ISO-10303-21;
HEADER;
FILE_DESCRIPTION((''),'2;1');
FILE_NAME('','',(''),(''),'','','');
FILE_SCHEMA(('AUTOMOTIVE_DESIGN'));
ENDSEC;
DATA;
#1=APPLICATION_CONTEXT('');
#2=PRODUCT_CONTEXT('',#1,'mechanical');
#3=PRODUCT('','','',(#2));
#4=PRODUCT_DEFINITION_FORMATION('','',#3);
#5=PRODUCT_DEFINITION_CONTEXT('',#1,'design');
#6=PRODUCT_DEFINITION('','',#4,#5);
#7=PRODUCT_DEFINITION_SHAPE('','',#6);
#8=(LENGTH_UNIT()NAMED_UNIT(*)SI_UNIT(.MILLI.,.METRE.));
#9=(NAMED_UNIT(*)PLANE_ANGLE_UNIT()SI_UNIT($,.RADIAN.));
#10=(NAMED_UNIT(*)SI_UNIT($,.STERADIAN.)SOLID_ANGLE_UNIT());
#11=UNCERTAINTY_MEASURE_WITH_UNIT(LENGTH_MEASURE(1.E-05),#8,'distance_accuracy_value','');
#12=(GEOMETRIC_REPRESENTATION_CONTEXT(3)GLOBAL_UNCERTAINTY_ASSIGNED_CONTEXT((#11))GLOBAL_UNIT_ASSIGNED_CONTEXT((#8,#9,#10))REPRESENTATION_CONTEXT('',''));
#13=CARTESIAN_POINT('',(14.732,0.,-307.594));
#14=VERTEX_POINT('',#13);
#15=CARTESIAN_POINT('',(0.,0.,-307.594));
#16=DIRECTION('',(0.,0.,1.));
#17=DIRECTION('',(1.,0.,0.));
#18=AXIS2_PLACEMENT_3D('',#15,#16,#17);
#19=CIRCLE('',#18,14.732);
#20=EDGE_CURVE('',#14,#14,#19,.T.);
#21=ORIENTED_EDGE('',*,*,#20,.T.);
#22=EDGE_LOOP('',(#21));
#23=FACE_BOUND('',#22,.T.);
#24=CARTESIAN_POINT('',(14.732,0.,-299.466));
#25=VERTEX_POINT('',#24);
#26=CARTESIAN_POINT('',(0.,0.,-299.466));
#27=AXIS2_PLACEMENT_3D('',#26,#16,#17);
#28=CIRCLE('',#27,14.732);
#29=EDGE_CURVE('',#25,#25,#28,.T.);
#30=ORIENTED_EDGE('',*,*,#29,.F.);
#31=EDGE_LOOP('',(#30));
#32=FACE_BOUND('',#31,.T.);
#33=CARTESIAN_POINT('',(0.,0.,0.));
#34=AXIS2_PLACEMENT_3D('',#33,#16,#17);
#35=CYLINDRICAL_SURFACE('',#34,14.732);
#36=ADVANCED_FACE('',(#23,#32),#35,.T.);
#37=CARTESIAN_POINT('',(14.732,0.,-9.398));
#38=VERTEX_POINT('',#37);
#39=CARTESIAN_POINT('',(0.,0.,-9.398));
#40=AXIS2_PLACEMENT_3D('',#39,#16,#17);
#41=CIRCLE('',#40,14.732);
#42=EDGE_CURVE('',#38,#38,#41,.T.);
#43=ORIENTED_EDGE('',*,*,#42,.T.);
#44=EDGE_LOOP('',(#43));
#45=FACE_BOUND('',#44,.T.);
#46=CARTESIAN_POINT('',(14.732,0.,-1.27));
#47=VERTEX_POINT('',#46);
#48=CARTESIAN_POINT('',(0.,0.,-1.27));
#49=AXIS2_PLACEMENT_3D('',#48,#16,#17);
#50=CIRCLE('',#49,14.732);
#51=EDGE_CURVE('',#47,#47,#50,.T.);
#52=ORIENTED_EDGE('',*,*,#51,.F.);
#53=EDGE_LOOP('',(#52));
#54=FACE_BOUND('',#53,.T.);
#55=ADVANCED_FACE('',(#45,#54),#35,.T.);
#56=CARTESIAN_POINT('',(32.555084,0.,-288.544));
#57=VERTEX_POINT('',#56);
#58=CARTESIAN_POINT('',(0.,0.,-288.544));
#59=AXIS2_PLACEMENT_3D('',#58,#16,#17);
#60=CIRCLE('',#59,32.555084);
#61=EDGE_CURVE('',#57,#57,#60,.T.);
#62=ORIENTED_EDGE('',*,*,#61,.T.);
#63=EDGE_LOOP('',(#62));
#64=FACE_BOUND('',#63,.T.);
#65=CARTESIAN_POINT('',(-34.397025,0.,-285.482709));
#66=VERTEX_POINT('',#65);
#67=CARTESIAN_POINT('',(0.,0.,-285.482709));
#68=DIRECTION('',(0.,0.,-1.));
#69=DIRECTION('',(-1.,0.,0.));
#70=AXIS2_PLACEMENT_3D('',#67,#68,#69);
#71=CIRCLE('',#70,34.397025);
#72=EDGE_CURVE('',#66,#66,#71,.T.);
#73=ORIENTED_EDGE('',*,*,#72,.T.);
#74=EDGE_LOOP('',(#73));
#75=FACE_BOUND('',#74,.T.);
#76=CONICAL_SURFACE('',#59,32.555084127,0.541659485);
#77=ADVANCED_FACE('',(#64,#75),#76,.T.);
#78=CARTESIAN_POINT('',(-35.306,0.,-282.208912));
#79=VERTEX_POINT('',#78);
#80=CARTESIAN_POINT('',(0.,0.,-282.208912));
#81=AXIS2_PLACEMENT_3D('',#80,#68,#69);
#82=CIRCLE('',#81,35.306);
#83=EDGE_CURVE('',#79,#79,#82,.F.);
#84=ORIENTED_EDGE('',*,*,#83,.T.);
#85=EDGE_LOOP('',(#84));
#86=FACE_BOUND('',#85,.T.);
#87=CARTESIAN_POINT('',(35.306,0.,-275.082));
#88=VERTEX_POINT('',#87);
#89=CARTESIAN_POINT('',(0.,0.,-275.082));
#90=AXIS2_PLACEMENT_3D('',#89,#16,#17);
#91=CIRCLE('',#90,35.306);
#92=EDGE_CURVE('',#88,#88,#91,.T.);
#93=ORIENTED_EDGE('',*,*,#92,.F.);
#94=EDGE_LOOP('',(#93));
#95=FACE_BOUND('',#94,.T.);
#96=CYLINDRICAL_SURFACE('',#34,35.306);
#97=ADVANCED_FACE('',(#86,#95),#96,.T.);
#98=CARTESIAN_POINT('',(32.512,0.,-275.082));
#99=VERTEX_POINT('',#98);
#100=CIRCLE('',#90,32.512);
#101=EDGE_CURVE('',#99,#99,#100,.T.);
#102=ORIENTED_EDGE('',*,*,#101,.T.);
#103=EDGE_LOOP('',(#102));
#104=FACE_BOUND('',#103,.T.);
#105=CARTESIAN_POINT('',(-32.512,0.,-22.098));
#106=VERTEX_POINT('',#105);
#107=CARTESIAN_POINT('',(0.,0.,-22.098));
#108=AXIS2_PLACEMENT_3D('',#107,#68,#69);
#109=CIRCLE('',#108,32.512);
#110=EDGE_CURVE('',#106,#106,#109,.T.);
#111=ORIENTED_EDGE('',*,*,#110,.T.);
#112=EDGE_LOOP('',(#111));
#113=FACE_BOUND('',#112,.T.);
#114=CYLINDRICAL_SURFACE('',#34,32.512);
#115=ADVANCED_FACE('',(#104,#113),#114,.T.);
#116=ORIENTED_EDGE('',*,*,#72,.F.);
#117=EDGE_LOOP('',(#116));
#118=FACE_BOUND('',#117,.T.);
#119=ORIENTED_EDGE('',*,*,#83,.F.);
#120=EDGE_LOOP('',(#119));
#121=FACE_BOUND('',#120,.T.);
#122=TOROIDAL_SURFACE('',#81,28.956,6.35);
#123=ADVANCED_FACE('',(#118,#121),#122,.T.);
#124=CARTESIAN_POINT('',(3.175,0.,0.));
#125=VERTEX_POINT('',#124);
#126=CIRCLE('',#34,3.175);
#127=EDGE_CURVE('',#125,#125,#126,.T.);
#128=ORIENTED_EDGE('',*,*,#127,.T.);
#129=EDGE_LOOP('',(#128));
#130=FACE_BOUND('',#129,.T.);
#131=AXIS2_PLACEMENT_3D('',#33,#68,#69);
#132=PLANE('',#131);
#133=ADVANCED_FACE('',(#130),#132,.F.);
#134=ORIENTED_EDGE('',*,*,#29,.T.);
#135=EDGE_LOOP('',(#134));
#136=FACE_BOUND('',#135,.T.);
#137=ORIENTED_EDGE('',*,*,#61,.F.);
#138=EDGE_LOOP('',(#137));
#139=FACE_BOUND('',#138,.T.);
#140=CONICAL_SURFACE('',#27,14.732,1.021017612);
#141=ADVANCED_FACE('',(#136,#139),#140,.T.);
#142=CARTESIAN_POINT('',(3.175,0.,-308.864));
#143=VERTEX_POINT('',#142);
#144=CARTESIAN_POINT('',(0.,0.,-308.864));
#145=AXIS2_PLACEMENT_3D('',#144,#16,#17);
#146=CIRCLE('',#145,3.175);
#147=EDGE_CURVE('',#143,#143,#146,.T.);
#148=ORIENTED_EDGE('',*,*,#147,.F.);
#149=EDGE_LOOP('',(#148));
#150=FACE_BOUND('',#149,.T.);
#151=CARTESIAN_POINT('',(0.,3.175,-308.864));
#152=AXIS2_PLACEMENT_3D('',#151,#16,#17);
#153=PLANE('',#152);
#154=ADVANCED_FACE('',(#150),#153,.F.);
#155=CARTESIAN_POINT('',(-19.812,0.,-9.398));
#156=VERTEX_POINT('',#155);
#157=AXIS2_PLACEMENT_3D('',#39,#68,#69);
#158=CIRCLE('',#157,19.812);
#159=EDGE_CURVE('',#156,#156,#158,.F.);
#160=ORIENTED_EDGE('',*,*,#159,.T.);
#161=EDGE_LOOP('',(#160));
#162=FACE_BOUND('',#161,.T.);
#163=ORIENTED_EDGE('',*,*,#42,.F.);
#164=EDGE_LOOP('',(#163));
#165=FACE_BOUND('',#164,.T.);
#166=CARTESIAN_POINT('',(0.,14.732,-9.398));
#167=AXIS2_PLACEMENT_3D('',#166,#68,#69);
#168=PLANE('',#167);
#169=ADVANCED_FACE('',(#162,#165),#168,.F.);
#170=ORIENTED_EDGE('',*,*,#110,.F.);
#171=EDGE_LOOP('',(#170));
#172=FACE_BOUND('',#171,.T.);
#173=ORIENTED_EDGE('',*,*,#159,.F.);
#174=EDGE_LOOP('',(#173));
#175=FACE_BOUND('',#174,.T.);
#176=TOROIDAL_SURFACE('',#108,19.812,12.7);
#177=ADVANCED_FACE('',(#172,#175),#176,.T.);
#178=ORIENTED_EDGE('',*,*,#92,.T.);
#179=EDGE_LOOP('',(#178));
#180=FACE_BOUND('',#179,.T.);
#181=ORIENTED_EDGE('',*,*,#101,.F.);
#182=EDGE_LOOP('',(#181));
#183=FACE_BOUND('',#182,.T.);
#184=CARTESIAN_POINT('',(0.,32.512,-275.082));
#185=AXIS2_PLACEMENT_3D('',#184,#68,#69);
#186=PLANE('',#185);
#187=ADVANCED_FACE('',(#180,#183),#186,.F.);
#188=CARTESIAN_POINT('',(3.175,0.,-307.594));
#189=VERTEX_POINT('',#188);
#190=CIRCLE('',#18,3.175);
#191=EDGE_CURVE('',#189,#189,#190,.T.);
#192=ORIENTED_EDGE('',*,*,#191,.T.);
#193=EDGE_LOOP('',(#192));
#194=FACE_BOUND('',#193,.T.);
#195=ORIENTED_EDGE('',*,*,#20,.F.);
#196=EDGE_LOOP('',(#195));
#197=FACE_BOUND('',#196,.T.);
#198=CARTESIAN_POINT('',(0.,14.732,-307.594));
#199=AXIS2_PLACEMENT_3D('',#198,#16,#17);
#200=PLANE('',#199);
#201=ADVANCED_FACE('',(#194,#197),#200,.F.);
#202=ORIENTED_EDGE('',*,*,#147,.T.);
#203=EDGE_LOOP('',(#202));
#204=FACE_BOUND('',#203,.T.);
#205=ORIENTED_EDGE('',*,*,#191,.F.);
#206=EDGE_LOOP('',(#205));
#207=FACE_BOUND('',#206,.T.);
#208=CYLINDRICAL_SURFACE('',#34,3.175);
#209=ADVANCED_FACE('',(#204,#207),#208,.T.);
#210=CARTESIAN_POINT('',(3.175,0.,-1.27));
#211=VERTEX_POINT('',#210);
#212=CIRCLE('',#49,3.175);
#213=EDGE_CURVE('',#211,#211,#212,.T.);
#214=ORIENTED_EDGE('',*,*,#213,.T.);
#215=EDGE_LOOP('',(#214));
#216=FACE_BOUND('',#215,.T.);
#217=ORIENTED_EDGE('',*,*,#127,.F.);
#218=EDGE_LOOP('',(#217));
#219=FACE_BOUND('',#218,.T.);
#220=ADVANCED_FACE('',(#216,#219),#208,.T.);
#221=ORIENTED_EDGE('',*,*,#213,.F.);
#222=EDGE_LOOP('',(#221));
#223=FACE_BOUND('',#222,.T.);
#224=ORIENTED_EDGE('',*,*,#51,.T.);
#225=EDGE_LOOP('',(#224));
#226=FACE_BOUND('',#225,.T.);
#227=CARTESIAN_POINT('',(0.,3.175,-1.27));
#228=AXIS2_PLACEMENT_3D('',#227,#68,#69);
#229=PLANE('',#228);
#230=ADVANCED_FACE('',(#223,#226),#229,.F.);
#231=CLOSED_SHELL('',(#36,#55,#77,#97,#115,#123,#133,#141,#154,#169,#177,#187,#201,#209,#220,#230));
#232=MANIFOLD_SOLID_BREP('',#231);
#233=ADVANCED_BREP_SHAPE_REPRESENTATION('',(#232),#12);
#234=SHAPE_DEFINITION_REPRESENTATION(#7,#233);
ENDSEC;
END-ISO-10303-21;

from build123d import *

# Parameters (mm, degrees)
FILLET1_R = 12.7
FILLET2_R = 6.35


with BuildPart() as part:
    # Sketch1 → Revolve1 (revolve)
    with BuildSketch(Plane(origin=(0, 0, 0), x_dir=(0, 0, -1), z_dir=(1, 0, 0))):
        Polygon((0, 0), (0, 3.175), (1.27, 3.175), (1.27, 14.732), (9.398, 14.732), (9.398, 32.512), (275.082, 32.512), (275.082, 35.306), (283.972, 35.306), (288.544, 32.555084127), (299.466, 14.732), (307.594, 14.732), (307.594, 3.175), (308.864, 3.175), (308.864, 0), align=None)
    revolve(axis=Axis((0, 0, 0), (0, 0, -1)))

    # Fillet1
    fillet1_edges = [part.edges().sort_by_distance(p)[0] for p in [
        (0, -32.512, -9.398),
    ]]
    fillet(fillet1_edges, radius=FILLET1_R)

    # Fillet2
    fillet2_edges = [part.edges().sort_by_distance(p)[0] for p in [
        (0, -35.306, -283.972),
    ]]
    fillet(fillet2_edges, radius=FILLET2_R)


solid = part.part
